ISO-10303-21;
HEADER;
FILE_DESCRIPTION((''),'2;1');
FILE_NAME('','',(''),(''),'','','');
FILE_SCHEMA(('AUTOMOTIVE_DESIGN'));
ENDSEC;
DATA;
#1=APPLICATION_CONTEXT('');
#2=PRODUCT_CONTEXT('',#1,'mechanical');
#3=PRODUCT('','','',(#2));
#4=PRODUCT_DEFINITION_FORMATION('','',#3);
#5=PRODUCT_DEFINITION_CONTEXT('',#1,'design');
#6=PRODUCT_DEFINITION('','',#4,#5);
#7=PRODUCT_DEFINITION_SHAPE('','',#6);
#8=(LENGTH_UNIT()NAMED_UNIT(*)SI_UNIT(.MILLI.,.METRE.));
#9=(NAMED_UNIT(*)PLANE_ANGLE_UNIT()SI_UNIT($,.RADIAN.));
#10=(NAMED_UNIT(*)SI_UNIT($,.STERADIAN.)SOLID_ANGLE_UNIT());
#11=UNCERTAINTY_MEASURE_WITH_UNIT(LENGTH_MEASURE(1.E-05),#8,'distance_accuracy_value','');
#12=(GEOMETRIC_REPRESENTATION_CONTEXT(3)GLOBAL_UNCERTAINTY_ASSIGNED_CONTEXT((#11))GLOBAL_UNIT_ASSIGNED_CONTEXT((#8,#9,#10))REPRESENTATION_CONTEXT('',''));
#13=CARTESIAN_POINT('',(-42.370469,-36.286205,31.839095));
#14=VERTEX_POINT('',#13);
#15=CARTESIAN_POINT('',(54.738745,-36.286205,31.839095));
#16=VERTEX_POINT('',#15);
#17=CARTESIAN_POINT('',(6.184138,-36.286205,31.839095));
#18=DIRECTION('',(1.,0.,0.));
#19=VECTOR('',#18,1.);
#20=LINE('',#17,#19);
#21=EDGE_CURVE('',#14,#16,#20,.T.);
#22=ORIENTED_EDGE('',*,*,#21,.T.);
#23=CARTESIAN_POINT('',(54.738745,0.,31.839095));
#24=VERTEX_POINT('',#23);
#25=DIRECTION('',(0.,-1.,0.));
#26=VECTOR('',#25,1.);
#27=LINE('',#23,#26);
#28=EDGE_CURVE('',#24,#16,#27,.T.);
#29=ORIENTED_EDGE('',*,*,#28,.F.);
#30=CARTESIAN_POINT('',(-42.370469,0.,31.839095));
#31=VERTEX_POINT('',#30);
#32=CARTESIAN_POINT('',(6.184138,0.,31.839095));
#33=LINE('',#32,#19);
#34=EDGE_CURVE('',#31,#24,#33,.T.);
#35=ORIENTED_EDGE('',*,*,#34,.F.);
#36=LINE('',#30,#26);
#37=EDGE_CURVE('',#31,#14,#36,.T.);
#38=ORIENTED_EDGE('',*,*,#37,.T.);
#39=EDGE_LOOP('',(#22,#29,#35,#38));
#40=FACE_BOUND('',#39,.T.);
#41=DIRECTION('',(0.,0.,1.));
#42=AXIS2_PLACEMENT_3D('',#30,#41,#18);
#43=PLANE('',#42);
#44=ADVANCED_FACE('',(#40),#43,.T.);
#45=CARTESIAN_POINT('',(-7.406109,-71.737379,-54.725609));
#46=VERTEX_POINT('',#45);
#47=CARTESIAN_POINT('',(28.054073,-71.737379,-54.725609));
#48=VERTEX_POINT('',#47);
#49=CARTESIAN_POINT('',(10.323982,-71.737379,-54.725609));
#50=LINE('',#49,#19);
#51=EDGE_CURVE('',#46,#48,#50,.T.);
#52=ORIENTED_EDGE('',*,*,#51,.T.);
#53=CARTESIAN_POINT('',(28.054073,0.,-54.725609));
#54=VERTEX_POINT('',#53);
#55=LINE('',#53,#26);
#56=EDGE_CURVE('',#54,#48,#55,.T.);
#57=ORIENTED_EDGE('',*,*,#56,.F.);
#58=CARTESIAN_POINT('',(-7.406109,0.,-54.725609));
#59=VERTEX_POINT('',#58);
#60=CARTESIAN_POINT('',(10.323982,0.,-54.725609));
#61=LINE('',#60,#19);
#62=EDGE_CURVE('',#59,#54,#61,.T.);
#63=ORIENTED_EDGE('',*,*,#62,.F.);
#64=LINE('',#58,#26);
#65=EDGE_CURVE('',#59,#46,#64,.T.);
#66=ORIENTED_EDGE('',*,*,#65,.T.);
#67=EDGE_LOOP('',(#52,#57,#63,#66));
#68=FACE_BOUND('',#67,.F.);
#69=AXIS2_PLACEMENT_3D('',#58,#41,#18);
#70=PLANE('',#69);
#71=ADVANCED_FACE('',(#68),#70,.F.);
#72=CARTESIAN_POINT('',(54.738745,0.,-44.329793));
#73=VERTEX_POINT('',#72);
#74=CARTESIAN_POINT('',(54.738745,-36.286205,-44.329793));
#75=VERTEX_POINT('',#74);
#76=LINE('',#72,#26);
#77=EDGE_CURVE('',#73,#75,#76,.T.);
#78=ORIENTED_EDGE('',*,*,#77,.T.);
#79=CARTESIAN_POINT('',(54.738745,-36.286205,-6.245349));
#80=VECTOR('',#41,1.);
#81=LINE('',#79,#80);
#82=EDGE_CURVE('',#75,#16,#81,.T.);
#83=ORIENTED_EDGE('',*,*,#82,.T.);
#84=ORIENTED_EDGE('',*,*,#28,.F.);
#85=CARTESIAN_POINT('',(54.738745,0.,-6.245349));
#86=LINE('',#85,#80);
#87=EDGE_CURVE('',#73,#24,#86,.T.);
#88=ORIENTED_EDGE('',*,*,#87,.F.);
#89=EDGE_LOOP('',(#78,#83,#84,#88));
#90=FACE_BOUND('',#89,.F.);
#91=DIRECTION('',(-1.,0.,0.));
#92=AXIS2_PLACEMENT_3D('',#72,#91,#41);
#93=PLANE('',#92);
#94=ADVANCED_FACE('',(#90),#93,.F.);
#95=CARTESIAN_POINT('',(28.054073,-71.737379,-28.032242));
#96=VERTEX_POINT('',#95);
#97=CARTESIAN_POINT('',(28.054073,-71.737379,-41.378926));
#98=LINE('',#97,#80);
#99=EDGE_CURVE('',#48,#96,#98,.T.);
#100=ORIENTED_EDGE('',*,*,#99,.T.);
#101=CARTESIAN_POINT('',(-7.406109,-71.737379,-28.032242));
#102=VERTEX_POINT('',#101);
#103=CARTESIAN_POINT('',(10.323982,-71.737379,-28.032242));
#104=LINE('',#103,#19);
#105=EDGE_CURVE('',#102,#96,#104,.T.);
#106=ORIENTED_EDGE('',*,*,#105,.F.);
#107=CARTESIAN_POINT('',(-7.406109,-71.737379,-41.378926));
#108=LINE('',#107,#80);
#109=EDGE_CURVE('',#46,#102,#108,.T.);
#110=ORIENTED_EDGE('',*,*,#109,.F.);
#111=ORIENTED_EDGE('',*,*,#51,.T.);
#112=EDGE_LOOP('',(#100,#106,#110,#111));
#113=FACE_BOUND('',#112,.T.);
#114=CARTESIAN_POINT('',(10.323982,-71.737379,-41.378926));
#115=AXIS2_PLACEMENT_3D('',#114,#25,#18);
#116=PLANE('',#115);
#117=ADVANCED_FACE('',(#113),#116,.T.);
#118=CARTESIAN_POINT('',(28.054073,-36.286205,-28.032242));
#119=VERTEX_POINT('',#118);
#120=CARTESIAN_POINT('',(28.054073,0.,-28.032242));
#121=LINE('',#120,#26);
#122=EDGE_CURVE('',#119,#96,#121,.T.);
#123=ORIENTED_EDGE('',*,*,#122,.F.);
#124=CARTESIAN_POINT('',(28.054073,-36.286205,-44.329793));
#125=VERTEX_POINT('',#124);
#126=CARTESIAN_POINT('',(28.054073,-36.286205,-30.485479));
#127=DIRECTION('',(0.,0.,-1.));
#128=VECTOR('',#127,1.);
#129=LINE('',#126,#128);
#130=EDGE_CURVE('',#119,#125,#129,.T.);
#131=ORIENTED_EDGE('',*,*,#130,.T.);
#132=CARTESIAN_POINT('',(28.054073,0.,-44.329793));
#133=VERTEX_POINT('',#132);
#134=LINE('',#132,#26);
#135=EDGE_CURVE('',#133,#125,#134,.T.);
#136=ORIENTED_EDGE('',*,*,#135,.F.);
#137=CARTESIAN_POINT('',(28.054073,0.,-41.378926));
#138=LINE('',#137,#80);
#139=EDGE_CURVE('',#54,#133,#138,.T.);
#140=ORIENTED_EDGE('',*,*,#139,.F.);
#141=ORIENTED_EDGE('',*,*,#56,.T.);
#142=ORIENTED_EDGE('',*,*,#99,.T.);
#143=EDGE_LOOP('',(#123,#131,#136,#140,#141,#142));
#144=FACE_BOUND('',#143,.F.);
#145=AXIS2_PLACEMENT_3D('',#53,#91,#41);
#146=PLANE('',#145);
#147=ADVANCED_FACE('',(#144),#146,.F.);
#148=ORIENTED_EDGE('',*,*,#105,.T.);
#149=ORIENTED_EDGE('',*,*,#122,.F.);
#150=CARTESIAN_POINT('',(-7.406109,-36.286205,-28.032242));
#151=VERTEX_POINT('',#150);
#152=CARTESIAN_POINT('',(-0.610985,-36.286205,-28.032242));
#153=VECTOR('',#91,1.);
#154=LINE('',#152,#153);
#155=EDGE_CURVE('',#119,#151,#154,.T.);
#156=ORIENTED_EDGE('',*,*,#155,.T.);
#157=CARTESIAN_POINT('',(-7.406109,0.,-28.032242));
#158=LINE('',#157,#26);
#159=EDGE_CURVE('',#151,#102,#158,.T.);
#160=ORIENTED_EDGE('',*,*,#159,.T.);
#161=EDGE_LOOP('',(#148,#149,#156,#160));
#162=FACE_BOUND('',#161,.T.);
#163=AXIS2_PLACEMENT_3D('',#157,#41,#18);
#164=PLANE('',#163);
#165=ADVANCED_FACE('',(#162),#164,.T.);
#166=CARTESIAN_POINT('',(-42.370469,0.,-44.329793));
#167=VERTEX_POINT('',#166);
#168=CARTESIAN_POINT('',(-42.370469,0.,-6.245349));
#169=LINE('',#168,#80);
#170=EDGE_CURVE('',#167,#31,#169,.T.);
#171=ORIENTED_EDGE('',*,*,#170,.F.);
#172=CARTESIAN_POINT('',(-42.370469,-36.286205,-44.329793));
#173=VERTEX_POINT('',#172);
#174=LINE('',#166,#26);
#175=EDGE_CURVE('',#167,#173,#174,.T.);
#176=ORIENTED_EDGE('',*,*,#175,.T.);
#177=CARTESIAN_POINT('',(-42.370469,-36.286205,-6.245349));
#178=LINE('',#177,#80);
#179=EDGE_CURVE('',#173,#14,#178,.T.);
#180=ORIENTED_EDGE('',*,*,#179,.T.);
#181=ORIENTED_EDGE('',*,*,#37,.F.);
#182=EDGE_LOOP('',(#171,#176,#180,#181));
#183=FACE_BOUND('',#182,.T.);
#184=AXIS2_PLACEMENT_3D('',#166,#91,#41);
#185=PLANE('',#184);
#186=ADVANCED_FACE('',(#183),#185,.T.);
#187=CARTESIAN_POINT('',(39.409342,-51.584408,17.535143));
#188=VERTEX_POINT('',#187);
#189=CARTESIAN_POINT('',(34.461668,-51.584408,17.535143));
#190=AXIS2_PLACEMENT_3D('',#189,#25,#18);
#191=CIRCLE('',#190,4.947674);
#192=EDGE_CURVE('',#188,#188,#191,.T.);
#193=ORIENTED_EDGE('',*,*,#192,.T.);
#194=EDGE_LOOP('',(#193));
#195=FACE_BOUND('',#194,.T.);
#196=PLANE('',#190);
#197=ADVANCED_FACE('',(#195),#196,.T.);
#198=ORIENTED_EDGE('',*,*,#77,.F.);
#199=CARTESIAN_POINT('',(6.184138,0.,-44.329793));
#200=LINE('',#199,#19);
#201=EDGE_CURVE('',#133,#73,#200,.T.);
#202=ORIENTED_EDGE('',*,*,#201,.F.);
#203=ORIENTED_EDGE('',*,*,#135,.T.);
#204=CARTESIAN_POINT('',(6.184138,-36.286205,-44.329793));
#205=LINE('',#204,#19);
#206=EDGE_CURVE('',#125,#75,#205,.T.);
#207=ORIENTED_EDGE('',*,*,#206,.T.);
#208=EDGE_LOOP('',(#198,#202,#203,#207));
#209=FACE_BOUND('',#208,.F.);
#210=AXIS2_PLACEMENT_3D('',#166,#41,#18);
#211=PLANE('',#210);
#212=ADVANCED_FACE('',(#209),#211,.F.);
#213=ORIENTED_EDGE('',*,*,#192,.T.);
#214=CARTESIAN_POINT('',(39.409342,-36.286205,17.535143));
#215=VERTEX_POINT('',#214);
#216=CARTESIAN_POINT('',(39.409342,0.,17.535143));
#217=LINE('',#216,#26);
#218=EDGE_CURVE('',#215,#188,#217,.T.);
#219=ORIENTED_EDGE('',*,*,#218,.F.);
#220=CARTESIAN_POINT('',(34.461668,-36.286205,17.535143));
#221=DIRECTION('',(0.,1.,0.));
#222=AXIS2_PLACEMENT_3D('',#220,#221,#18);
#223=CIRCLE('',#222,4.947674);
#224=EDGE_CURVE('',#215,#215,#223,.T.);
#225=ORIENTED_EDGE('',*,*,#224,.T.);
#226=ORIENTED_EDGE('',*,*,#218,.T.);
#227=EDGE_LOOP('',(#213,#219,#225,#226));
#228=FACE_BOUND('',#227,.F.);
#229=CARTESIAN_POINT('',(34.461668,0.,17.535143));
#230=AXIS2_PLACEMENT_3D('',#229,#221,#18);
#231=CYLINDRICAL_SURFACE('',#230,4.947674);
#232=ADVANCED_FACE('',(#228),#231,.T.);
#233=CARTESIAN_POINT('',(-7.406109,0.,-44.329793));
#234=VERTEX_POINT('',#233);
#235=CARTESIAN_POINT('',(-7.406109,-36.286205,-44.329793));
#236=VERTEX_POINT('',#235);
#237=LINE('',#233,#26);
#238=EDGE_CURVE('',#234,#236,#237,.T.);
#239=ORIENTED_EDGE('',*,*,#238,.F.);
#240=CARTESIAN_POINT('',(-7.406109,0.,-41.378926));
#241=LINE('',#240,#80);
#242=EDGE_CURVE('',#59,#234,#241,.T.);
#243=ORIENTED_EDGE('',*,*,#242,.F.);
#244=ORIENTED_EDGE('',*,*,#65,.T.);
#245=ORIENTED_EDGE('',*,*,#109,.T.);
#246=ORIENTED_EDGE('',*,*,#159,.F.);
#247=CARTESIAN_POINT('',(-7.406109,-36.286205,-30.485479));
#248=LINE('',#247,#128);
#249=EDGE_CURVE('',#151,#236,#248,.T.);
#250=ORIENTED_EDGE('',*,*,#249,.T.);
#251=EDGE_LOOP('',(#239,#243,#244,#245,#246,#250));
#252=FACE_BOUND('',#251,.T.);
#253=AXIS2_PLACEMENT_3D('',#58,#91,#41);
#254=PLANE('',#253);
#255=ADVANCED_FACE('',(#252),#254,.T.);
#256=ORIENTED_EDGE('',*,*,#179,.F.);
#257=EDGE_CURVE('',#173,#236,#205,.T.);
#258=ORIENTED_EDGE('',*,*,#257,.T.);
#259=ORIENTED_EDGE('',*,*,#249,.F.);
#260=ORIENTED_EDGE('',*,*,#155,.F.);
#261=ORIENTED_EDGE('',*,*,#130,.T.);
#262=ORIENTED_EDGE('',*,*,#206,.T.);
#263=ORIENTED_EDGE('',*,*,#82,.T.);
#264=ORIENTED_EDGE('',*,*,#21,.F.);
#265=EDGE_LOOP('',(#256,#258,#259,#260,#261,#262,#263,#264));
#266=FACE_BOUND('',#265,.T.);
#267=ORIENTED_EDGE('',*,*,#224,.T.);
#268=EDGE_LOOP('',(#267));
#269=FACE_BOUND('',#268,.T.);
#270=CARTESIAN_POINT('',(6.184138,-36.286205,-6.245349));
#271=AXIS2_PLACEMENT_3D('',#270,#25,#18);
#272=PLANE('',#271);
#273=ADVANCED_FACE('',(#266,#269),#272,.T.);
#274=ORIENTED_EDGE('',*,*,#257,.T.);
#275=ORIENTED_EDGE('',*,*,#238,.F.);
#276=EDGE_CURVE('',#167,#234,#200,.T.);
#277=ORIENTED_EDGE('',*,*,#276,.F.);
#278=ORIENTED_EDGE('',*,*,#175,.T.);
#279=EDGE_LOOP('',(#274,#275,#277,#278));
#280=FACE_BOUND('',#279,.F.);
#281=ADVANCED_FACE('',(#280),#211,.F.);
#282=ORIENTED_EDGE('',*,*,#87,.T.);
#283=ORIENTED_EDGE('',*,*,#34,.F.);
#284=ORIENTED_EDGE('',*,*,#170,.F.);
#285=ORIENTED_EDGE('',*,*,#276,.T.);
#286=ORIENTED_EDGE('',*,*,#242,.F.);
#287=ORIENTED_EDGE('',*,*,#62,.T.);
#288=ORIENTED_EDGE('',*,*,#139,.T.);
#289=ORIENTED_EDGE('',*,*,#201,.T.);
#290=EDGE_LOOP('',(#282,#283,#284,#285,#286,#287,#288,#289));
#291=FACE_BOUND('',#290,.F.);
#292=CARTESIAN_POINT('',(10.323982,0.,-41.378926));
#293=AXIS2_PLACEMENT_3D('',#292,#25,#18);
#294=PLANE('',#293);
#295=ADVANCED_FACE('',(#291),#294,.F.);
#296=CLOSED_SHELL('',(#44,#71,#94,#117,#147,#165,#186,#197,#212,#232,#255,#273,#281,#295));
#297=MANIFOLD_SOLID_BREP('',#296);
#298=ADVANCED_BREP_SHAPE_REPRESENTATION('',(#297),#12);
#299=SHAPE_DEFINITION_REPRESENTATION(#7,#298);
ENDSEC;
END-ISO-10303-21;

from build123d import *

# Parameters (mm, degrees)
F0_W     = 97.109213
F0_H     = 76.168887
F1_DEPTH = 36.286205
F2_R     = 4.947674
F3_DEPTH = 51.584408
F4_W     = 35.460181
F4_H     = 26.693367
F5_DEPTH = 71.737379


with BuildPart() as f1:
    # F0 (on Front) → F1 (new body)
    with BuildSketch(Plane.XZ):
        with Locations((6.184138, -6.245349)):
            Rectangle(F0_W, F0_H)
    extrude(amount=F1_DEPTH)

    # F2 (on Front) → F3 (join)
    with BuildSketch(Plane.XZ):
        with Locations((34.461668, 17.535143)):
            Circle(F2_R)
    extrude(amount=F3_DEPTH)

    # F4 (on Front) → F5 (join)
    with BuildSketch(Plane.XZ):
        with Locations((10.323982, -41.378926)):
            Rectangle(F4_W, F4_H)
    extrude(amount=F5_DEPTH)


solid = f1.part
